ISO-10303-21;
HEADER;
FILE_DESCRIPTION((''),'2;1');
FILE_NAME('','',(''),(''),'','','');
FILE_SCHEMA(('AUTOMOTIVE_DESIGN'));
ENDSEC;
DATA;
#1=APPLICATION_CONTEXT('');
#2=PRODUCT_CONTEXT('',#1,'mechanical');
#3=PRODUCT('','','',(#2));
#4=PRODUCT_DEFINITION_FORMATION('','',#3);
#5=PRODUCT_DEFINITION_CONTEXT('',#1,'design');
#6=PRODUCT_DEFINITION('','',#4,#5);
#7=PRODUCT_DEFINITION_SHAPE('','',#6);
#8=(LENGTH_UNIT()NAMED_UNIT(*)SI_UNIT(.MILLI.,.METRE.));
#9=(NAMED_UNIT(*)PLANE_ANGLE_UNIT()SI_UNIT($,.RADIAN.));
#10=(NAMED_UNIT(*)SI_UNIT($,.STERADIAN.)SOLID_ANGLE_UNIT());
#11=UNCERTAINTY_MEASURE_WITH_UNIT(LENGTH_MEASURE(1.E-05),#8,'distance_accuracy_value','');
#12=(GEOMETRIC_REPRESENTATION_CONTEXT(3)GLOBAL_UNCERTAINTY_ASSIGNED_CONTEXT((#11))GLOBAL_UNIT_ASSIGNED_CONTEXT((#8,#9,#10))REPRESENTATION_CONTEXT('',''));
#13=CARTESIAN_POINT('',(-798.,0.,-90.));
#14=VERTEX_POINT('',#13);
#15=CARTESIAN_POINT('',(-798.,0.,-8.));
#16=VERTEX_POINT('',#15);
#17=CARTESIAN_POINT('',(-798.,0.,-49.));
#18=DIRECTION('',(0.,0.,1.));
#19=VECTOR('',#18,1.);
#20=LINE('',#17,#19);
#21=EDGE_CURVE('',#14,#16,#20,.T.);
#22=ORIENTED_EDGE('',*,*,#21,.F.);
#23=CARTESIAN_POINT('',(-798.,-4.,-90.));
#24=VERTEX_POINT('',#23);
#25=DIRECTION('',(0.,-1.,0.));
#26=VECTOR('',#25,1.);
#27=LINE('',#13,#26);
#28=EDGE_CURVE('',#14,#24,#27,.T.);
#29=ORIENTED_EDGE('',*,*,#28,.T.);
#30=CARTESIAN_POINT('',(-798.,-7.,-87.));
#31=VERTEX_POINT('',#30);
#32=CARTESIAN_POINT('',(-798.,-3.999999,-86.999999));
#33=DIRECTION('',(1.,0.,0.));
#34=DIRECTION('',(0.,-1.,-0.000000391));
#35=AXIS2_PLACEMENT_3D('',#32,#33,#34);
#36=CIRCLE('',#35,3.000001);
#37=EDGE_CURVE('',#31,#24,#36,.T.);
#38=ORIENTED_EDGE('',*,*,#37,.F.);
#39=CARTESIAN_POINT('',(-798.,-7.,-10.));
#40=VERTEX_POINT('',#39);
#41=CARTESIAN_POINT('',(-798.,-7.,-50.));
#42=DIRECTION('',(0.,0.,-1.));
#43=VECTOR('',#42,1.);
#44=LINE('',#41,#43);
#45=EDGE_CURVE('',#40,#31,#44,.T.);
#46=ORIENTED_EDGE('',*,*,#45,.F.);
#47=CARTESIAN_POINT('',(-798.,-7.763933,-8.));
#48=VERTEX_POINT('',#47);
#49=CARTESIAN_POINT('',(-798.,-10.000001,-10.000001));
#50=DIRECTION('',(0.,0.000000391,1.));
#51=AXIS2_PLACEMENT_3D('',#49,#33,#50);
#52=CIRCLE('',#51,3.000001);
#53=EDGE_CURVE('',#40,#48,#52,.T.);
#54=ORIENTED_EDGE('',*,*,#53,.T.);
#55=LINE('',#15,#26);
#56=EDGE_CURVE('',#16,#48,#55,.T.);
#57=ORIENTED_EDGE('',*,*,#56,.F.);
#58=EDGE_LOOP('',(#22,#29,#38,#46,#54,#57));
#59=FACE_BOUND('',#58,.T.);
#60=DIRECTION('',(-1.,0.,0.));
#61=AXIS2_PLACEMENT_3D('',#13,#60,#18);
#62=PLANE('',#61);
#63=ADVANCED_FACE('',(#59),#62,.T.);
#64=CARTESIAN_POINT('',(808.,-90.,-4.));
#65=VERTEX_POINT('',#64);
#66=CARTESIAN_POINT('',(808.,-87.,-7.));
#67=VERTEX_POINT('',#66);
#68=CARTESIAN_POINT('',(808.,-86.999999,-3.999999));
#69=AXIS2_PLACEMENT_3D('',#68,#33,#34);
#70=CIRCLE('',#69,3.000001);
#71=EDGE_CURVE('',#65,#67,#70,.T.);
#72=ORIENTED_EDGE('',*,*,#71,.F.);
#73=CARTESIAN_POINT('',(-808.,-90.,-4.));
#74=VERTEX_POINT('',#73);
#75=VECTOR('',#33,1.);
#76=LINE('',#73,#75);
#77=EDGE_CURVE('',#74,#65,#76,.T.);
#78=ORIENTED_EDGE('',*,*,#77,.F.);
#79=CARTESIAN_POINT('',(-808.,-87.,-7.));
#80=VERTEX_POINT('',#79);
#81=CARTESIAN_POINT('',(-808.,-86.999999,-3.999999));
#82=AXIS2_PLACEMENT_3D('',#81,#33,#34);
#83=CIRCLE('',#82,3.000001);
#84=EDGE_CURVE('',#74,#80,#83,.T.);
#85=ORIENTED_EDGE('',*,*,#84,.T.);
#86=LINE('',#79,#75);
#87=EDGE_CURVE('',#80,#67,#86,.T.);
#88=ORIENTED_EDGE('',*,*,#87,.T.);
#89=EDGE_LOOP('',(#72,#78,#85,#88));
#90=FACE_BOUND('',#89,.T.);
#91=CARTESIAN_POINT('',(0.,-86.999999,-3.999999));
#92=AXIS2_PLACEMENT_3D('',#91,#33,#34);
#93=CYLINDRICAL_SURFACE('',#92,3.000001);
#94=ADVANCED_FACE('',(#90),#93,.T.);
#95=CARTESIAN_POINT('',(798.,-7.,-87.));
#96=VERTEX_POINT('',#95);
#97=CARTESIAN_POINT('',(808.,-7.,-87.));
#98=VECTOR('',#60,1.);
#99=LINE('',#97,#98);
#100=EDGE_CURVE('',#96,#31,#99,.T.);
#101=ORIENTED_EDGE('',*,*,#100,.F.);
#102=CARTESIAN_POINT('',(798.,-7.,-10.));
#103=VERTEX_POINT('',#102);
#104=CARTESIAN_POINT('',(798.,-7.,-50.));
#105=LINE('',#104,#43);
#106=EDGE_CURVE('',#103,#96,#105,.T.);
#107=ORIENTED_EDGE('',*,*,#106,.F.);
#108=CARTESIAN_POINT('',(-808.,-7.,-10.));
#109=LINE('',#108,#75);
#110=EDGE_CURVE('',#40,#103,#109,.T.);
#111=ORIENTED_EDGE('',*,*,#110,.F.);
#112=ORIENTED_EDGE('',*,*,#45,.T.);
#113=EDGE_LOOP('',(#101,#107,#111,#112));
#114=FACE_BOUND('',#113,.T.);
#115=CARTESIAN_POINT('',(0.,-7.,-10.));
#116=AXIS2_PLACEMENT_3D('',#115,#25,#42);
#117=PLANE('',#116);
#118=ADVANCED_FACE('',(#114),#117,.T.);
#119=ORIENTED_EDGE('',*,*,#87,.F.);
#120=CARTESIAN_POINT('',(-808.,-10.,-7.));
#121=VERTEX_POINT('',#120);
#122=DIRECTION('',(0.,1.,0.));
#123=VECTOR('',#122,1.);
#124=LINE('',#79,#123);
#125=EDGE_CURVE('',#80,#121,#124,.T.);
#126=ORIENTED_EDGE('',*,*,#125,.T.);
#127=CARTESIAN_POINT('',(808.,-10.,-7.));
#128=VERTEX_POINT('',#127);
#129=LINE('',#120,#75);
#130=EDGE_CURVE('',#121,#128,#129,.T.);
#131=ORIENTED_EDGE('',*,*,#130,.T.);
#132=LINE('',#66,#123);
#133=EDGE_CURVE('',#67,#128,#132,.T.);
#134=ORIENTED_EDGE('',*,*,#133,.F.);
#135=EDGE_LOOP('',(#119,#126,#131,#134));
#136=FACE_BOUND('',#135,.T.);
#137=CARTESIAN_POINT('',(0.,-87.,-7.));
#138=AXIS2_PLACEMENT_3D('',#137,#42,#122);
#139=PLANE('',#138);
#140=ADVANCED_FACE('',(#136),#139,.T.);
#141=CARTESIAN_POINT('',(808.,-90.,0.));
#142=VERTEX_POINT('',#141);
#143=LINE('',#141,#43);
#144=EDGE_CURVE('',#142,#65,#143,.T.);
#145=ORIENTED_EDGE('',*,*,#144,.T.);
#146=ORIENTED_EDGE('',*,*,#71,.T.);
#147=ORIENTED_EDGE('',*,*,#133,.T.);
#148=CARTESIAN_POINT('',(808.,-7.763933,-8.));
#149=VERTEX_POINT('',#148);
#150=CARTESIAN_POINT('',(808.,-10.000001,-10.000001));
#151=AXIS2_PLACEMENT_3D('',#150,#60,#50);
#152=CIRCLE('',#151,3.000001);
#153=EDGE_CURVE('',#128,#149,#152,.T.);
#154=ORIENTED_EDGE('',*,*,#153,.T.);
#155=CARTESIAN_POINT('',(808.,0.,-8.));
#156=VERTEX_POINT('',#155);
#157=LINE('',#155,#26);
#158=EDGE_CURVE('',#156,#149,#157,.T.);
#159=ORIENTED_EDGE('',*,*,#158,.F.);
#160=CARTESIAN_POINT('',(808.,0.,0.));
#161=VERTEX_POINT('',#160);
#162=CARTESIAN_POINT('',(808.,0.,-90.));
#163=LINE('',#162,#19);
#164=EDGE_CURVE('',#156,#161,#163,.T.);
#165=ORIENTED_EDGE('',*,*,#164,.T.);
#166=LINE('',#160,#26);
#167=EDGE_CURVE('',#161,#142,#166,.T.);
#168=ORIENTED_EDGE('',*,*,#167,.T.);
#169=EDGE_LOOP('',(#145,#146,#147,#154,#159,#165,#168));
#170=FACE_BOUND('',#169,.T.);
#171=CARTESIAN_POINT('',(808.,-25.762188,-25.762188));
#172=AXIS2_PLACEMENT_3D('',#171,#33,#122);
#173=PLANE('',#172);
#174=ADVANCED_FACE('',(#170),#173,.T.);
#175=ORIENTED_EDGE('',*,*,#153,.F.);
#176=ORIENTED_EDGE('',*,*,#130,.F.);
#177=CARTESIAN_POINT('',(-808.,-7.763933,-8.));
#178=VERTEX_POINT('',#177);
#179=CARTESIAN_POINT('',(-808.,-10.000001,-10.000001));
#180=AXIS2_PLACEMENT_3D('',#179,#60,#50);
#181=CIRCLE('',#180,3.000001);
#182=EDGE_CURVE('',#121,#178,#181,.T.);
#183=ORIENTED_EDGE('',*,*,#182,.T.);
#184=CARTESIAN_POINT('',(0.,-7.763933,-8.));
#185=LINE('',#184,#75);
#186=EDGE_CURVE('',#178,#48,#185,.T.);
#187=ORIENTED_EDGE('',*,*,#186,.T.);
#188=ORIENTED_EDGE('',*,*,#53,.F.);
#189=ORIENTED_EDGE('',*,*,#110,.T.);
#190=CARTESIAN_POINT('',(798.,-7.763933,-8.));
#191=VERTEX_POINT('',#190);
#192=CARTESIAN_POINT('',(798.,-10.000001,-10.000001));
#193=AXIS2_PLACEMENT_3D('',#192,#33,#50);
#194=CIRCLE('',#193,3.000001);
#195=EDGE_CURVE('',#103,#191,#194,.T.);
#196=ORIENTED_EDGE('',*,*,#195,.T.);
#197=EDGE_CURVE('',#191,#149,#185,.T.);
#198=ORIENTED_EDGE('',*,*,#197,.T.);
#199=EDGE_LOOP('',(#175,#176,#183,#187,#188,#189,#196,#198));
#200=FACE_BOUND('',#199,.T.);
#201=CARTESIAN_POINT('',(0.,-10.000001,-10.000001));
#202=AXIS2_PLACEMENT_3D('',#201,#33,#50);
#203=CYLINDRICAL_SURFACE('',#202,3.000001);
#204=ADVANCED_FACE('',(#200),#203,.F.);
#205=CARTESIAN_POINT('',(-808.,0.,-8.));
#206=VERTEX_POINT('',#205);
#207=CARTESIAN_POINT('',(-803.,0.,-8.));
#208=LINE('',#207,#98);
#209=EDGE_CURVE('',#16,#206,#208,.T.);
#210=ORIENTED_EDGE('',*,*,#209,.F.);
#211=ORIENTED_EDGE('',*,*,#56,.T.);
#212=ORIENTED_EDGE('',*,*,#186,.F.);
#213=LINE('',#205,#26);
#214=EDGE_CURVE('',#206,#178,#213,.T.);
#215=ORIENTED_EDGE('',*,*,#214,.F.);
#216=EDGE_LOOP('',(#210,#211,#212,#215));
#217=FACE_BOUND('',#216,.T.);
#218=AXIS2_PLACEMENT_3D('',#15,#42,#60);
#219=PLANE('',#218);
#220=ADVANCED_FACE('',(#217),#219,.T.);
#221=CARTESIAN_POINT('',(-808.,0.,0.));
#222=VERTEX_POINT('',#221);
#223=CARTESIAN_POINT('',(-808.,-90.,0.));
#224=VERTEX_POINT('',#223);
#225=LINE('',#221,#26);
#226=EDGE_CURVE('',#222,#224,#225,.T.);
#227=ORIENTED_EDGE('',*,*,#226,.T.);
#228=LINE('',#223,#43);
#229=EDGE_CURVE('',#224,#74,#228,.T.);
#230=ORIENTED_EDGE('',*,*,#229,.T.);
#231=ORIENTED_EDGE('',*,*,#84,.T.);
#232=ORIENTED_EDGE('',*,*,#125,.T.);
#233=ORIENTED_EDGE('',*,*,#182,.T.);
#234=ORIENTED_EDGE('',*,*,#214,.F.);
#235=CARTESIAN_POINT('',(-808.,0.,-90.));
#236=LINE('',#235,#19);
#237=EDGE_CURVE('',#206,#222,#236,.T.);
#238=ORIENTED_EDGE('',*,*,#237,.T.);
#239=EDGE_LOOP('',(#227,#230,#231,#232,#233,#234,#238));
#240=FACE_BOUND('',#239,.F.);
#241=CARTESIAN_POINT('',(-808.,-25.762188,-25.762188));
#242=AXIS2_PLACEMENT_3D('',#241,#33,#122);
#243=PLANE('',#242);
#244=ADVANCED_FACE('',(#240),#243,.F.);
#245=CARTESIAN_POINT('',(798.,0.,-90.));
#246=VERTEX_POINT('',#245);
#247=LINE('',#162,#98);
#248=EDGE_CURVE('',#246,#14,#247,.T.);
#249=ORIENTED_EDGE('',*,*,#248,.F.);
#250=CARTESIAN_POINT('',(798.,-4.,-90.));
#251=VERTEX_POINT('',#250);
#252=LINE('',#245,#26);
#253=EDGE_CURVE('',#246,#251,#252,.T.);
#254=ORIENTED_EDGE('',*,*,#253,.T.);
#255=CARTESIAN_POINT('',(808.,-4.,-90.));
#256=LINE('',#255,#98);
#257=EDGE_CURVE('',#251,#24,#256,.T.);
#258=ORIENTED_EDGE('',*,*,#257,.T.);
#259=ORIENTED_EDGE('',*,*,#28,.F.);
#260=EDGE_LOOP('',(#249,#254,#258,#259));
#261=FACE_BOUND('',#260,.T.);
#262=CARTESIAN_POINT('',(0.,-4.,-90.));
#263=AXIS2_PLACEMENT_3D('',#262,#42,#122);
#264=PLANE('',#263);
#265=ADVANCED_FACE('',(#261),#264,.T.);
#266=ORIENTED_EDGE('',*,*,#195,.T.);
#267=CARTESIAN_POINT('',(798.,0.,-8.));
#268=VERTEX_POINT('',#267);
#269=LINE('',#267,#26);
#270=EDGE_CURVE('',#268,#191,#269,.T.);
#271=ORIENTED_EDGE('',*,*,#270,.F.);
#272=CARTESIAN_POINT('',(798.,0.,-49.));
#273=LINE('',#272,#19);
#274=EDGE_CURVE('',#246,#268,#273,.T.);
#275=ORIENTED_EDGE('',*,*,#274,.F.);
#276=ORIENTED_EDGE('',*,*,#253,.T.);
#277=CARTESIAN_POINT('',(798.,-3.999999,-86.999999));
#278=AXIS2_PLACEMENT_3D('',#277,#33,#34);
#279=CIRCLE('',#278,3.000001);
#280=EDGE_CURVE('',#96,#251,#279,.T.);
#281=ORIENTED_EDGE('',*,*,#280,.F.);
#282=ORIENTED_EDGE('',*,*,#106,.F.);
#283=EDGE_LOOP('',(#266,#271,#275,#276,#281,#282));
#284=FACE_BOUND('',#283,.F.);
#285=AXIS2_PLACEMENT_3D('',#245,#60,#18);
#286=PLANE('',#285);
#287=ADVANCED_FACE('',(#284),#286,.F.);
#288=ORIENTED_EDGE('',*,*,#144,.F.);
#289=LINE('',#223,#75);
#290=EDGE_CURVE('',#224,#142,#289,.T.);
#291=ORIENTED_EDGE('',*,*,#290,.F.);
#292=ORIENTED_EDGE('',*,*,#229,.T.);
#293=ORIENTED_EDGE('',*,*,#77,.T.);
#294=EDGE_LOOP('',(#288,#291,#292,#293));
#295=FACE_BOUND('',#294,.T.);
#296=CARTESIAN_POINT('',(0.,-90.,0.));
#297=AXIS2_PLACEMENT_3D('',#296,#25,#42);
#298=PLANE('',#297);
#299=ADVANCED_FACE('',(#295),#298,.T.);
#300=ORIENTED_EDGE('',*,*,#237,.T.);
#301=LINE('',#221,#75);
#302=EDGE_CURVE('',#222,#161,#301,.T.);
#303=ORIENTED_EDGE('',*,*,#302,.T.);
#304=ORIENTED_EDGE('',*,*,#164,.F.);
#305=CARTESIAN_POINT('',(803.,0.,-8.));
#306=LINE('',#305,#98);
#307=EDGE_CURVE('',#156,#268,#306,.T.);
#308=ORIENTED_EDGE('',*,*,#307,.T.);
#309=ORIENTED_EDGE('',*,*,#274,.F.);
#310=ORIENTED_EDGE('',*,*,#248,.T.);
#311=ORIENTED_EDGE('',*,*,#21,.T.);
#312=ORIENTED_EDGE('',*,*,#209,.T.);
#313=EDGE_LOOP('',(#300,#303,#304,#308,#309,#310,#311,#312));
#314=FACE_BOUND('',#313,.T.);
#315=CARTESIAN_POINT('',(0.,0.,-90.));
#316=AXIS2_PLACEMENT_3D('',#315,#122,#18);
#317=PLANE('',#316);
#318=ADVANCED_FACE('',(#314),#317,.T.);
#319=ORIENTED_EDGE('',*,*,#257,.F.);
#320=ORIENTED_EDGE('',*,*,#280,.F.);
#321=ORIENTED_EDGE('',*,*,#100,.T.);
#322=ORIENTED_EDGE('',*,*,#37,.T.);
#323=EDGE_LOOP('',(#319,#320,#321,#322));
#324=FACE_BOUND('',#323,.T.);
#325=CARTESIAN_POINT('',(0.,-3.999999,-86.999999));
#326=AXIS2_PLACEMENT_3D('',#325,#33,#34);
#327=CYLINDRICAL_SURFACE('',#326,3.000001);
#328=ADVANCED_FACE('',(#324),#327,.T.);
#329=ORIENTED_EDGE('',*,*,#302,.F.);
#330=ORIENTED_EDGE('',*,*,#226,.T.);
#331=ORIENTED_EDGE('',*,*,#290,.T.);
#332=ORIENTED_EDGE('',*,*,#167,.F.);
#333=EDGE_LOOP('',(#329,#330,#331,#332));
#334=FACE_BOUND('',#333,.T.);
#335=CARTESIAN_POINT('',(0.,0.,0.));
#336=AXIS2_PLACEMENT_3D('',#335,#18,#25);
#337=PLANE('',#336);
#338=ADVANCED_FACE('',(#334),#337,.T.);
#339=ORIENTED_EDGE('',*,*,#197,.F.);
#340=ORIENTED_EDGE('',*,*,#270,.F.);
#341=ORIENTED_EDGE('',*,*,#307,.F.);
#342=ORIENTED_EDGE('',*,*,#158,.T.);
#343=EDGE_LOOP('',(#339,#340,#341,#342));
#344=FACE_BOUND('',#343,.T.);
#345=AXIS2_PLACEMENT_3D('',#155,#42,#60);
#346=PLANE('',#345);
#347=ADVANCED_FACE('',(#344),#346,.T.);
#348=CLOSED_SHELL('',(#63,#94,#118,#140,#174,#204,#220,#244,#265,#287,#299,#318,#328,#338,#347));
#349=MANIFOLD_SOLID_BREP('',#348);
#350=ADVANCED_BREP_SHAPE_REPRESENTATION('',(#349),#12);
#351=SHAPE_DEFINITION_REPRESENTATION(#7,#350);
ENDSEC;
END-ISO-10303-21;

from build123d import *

# Parameters (mm, degrees)
F1_DEPTH = 808
F2_W     = 10
F2_H     = 82
F3_DEPTH = 25


with BuildPart() as f1:
    # F0 (on Right) → F1 (new body, symmetric)
    with BuildSketch(Plane.YZ):
        with BuildLine():
            Line((0, -90), (0, 0))
            Line((0, 0), (-90, 0))
            Line((-90, 0), (-90, -4))
            ThreePointArc((-90, -4), (-89.12132, -6.12132), (-87, -7))
            Line((-87, -7), (-10, -7))
            ThreePointArc((-10, -7), (-7.87868, -7.87868), (-7, -10))
            Line((-7, -10), (-7, -87))
            ThreePointArc((-7, -87), (-6.12132, -89.12132), (-4, -90))
            Line((-4, -90), (0, -90))
        make_face()
    extrude(amount=F1_DEPTH, both=True)

    # F2 (on face) → F3 (cut)
    with BuildSketch(Plane(origin=(0, 0, 0), x_dir=(-1, 0, 0), z_dir=(0, 1, 0))):
        with Locations((-803, -49)):
            Rectangle(F2_W, F2_H)
        with Locations((803, -49)):
            Rectangle(F2_W, F2_H)
    extrude(amount=-F3_DEPTH, mode=Mode.SUBTRACT)


solid = f1.part
